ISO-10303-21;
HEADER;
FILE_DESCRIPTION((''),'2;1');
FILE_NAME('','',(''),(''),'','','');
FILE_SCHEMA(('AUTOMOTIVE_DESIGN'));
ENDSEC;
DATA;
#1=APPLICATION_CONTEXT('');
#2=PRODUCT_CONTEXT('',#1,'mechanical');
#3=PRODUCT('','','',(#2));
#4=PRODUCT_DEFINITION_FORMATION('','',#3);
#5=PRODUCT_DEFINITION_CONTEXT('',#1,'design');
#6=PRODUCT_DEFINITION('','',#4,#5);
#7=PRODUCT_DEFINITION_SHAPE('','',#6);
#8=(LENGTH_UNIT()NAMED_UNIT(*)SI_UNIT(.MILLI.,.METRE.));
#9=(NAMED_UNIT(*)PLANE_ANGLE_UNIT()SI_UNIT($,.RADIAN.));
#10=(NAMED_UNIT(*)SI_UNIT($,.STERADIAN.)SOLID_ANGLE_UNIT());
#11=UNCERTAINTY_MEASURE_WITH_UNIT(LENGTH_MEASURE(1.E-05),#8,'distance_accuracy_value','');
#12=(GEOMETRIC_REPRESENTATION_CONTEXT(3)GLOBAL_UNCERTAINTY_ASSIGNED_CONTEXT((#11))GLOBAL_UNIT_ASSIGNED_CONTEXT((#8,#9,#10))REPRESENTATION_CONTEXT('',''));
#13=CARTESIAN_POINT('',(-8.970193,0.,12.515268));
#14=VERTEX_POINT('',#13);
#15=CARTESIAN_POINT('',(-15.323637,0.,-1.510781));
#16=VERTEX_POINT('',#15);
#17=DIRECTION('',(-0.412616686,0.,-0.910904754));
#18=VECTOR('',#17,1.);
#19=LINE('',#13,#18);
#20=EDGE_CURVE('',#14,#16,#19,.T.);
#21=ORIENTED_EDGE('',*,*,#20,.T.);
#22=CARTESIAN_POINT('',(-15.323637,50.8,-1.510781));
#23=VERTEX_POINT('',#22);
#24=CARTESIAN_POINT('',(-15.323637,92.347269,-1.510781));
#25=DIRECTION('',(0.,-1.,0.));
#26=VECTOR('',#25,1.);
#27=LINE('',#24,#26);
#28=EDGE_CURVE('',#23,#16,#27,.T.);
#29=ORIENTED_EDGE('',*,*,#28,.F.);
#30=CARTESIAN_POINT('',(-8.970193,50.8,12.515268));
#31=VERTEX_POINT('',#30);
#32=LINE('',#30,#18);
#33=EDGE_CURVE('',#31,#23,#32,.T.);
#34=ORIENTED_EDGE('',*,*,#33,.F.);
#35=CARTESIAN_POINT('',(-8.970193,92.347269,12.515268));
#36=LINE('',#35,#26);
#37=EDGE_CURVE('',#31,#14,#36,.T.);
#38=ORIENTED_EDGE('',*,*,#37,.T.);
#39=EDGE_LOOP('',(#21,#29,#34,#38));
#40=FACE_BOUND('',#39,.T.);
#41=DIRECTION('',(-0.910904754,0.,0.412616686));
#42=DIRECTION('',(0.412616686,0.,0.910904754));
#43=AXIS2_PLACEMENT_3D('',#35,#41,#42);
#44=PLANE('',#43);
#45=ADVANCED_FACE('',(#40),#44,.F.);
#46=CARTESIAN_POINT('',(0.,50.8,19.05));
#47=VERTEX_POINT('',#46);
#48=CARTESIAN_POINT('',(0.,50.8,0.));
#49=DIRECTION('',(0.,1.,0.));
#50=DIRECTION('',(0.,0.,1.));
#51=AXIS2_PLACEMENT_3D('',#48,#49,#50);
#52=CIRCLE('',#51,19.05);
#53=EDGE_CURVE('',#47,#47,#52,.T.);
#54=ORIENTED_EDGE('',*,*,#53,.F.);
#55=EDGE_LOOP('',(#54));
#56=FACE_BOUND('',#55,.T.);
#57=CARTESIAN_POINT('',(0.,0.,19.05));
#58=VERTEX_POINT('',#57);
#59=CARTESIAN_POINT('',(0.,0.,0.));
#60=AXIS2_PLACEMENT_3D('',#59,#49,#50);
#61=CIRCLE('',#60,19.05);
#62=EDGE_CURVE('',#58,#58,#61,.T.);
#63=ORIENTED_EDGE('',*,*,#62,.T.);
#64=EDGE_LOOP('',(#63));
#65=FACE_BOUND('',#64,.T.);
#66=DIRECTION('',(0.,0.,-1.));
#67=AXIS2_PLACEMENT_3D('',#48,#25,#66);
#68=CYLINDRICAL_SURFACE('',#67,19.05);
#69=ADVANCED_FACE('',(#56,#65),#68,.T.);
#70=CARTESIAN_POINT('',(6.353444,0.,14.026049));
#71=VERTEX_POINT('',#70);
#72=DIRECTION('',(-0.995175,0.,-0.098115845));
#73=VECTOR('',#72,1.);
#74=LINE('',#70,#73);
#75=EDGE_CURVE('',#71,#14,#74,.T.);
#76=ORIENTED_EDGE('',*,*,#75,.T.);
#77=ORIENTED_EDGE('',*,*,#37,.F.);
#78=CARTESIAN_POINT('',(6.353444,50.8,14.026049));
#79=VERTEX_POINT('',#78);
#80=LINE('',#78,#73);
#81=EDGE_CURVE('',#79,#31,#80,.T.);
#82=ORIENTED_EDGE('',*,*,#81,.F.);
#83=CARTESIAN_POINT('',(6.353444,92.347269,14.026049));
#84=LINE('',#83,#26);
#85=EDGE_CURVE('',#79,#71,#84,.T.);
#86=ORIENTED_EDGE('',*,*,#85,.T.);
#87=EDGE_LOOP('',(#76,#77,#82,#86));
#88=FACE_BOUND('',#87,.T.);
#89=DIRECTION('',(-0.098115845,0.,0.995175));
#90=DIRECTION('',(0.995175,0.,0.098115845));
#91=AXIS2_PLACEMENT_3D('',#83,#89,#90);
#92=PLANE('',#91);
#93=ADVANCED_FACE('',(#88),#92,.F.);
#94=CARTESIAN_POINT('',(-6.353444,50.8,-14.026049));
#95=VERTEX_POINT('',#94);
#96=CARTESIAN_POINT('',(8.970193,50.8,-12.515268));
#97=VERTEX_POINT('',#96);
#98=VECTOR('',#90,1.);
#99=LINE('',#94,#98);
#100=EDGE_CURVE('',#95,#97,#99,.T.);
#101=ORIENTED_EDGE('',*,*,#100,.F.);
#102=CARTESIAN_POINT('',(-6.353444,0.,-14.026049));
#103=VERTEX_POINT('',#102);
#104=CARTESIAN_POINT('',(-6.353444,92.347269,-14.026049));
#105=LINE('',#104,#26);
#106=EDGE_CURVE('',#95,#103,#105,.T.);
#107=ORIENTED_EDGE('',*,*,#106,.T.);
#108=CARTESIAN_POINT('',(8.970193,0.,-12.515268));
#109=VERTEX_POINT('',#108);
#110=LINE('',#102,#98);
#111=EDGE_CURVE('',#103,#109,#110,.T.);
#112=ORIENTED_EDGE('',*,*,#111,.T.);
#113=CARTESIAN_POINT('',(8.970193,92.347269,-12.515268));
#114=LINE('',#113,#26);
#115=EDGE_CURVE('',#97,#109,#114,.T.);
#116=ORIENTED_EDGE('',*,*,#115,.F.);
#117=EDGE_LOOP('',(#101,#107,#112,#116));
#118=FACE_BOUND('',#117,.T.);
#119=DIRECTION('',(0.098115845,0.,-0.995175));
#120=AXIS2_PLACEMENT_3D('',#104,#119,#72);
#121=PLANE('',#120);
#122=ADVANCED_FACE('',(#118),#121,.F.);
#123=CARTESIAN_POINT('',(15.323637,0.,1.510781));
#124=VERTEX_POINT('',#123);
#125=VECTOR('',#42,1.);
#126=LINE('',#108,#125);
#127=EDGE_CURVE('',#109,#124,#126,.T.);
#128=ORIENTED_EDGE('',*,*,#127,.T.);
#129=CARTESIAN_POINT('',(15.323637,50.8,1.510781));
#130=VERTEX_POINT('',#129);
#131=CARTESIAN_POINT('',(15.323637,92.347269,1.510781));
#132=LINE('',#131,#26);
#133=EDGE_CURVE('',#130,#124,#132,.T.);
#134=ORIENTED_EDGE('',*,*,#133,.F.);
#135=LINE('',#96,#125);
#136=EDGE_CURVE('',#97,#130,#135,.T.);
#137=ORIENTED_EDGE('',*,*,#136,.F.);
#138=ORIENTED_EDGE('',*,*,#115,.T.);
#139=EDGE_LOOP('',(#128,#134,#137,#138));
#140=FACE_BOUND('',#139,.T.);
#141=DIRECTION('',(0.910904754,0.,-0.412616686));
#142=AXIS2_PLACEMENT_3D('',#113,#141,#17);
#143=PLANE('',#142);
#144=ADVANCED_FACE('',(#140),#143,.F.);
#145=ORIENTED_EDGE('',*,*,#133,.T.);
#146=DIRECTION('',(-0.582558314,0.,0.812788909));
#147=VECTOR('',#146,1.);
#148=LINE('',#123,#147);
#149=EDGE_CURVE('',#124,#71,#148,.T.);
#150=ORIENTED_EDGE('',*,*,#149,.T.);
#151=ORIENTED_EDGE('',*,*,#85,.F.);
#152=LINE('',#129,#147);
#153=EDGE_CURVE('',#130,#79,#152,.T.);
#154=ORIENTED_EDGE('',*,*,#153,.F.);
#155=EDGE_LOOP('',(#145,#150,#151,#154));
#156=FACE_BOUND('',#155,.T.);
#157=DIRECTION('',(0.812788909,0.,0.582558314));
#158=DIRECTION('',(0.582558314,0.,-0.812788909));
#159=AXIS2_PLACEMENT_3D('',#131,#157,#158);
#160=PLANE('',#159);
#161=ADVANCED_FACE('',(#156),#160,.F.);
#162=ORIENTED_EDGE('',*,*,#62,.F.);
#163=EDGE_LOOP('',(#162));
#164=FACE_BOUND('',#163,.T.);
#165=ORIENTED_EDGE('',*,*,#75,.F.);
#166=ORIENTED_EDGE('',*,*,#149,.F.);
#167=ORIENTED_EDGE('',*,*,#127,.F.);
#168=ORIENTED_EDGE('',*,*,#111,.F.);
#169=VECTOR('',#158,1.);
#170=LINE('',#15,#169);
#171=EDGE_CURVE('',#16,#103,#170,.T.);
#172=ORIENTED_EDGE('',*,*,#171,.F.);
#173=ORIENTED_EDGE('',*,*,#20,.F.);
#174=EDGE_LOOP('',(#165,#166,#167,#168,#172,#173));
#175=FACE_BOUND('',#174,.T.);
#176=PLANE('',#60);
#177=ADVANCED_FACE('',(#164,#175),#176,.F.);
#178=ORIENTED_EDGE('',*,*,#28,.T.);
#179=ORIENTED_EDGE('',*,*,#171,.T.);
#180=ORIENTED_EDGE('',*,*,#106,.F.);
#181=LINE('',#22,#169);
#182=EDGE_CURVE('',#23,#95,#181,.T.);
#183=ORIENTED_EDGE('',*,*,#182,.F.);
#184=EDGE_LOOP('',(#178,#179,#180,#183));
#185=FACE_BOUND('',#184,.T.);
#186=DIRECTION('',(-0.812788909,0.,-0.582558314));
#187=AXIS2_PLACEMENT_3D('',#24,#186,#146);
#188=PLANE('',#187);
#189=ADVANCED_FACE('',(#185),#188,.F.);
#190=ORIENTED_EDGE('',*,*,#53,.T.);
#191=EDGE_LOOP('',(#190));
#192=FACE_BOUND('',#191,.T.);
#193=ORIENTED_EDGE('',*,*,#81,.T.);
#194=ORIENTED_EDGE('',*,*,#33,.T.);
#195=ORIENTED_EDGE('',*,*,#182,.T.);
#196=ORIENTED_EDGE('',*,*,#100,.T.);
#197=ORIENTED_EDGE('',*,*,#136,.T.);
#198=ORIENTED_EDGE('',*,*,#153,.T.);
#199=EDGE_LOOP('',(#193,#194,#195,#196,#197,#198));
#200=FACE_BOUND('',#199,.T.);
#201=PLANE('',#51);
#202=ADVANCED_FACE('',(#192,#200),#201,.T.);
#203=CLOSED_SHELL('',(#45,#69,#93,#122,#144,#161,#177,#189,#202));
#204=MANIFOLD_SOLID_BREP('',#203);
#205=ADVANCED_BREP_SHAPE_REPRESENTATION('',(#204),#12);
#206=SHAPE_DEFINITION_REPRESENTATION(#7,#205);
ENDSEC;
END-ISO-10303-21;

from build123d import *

# Parameters (mm, degrees)
SKETCH1_R           = 19.05
BOSS_EXTRUDE1_DEPTH = 50.8
CUT_EXTRUDE1_DEPTH  = 50.8


with BuildPart() as part:
    # Sketch1 → Boss-Extrude1 (new body)
    with BuildSketch(Plane(origin=(0, 0, 0), x_dir=(1, 0, 0), z_dir=(0, 1, 0))):
        Circle(SKETCH1_R)
    extrude(amount=BOSS_EXTRUDE1_DEPTH)

    # Sketch2 → Cut-Extrude1 (cut)
    with BuildSketch(Plane.XZ):
        Polygon((-15.323636661, -1.510781079), (-6.353443536, -14.026049167), (8.970193125, -12.515268087), (15.323636661, 1.510781079), (6.353443536, 14.026049167), (-8.970193125, 12.515268087), align=None)
    extrude(amount=-CUT_EXTRUDE1_DEPTH, mode=Mode.SUBTRACT)


solid = part.part
